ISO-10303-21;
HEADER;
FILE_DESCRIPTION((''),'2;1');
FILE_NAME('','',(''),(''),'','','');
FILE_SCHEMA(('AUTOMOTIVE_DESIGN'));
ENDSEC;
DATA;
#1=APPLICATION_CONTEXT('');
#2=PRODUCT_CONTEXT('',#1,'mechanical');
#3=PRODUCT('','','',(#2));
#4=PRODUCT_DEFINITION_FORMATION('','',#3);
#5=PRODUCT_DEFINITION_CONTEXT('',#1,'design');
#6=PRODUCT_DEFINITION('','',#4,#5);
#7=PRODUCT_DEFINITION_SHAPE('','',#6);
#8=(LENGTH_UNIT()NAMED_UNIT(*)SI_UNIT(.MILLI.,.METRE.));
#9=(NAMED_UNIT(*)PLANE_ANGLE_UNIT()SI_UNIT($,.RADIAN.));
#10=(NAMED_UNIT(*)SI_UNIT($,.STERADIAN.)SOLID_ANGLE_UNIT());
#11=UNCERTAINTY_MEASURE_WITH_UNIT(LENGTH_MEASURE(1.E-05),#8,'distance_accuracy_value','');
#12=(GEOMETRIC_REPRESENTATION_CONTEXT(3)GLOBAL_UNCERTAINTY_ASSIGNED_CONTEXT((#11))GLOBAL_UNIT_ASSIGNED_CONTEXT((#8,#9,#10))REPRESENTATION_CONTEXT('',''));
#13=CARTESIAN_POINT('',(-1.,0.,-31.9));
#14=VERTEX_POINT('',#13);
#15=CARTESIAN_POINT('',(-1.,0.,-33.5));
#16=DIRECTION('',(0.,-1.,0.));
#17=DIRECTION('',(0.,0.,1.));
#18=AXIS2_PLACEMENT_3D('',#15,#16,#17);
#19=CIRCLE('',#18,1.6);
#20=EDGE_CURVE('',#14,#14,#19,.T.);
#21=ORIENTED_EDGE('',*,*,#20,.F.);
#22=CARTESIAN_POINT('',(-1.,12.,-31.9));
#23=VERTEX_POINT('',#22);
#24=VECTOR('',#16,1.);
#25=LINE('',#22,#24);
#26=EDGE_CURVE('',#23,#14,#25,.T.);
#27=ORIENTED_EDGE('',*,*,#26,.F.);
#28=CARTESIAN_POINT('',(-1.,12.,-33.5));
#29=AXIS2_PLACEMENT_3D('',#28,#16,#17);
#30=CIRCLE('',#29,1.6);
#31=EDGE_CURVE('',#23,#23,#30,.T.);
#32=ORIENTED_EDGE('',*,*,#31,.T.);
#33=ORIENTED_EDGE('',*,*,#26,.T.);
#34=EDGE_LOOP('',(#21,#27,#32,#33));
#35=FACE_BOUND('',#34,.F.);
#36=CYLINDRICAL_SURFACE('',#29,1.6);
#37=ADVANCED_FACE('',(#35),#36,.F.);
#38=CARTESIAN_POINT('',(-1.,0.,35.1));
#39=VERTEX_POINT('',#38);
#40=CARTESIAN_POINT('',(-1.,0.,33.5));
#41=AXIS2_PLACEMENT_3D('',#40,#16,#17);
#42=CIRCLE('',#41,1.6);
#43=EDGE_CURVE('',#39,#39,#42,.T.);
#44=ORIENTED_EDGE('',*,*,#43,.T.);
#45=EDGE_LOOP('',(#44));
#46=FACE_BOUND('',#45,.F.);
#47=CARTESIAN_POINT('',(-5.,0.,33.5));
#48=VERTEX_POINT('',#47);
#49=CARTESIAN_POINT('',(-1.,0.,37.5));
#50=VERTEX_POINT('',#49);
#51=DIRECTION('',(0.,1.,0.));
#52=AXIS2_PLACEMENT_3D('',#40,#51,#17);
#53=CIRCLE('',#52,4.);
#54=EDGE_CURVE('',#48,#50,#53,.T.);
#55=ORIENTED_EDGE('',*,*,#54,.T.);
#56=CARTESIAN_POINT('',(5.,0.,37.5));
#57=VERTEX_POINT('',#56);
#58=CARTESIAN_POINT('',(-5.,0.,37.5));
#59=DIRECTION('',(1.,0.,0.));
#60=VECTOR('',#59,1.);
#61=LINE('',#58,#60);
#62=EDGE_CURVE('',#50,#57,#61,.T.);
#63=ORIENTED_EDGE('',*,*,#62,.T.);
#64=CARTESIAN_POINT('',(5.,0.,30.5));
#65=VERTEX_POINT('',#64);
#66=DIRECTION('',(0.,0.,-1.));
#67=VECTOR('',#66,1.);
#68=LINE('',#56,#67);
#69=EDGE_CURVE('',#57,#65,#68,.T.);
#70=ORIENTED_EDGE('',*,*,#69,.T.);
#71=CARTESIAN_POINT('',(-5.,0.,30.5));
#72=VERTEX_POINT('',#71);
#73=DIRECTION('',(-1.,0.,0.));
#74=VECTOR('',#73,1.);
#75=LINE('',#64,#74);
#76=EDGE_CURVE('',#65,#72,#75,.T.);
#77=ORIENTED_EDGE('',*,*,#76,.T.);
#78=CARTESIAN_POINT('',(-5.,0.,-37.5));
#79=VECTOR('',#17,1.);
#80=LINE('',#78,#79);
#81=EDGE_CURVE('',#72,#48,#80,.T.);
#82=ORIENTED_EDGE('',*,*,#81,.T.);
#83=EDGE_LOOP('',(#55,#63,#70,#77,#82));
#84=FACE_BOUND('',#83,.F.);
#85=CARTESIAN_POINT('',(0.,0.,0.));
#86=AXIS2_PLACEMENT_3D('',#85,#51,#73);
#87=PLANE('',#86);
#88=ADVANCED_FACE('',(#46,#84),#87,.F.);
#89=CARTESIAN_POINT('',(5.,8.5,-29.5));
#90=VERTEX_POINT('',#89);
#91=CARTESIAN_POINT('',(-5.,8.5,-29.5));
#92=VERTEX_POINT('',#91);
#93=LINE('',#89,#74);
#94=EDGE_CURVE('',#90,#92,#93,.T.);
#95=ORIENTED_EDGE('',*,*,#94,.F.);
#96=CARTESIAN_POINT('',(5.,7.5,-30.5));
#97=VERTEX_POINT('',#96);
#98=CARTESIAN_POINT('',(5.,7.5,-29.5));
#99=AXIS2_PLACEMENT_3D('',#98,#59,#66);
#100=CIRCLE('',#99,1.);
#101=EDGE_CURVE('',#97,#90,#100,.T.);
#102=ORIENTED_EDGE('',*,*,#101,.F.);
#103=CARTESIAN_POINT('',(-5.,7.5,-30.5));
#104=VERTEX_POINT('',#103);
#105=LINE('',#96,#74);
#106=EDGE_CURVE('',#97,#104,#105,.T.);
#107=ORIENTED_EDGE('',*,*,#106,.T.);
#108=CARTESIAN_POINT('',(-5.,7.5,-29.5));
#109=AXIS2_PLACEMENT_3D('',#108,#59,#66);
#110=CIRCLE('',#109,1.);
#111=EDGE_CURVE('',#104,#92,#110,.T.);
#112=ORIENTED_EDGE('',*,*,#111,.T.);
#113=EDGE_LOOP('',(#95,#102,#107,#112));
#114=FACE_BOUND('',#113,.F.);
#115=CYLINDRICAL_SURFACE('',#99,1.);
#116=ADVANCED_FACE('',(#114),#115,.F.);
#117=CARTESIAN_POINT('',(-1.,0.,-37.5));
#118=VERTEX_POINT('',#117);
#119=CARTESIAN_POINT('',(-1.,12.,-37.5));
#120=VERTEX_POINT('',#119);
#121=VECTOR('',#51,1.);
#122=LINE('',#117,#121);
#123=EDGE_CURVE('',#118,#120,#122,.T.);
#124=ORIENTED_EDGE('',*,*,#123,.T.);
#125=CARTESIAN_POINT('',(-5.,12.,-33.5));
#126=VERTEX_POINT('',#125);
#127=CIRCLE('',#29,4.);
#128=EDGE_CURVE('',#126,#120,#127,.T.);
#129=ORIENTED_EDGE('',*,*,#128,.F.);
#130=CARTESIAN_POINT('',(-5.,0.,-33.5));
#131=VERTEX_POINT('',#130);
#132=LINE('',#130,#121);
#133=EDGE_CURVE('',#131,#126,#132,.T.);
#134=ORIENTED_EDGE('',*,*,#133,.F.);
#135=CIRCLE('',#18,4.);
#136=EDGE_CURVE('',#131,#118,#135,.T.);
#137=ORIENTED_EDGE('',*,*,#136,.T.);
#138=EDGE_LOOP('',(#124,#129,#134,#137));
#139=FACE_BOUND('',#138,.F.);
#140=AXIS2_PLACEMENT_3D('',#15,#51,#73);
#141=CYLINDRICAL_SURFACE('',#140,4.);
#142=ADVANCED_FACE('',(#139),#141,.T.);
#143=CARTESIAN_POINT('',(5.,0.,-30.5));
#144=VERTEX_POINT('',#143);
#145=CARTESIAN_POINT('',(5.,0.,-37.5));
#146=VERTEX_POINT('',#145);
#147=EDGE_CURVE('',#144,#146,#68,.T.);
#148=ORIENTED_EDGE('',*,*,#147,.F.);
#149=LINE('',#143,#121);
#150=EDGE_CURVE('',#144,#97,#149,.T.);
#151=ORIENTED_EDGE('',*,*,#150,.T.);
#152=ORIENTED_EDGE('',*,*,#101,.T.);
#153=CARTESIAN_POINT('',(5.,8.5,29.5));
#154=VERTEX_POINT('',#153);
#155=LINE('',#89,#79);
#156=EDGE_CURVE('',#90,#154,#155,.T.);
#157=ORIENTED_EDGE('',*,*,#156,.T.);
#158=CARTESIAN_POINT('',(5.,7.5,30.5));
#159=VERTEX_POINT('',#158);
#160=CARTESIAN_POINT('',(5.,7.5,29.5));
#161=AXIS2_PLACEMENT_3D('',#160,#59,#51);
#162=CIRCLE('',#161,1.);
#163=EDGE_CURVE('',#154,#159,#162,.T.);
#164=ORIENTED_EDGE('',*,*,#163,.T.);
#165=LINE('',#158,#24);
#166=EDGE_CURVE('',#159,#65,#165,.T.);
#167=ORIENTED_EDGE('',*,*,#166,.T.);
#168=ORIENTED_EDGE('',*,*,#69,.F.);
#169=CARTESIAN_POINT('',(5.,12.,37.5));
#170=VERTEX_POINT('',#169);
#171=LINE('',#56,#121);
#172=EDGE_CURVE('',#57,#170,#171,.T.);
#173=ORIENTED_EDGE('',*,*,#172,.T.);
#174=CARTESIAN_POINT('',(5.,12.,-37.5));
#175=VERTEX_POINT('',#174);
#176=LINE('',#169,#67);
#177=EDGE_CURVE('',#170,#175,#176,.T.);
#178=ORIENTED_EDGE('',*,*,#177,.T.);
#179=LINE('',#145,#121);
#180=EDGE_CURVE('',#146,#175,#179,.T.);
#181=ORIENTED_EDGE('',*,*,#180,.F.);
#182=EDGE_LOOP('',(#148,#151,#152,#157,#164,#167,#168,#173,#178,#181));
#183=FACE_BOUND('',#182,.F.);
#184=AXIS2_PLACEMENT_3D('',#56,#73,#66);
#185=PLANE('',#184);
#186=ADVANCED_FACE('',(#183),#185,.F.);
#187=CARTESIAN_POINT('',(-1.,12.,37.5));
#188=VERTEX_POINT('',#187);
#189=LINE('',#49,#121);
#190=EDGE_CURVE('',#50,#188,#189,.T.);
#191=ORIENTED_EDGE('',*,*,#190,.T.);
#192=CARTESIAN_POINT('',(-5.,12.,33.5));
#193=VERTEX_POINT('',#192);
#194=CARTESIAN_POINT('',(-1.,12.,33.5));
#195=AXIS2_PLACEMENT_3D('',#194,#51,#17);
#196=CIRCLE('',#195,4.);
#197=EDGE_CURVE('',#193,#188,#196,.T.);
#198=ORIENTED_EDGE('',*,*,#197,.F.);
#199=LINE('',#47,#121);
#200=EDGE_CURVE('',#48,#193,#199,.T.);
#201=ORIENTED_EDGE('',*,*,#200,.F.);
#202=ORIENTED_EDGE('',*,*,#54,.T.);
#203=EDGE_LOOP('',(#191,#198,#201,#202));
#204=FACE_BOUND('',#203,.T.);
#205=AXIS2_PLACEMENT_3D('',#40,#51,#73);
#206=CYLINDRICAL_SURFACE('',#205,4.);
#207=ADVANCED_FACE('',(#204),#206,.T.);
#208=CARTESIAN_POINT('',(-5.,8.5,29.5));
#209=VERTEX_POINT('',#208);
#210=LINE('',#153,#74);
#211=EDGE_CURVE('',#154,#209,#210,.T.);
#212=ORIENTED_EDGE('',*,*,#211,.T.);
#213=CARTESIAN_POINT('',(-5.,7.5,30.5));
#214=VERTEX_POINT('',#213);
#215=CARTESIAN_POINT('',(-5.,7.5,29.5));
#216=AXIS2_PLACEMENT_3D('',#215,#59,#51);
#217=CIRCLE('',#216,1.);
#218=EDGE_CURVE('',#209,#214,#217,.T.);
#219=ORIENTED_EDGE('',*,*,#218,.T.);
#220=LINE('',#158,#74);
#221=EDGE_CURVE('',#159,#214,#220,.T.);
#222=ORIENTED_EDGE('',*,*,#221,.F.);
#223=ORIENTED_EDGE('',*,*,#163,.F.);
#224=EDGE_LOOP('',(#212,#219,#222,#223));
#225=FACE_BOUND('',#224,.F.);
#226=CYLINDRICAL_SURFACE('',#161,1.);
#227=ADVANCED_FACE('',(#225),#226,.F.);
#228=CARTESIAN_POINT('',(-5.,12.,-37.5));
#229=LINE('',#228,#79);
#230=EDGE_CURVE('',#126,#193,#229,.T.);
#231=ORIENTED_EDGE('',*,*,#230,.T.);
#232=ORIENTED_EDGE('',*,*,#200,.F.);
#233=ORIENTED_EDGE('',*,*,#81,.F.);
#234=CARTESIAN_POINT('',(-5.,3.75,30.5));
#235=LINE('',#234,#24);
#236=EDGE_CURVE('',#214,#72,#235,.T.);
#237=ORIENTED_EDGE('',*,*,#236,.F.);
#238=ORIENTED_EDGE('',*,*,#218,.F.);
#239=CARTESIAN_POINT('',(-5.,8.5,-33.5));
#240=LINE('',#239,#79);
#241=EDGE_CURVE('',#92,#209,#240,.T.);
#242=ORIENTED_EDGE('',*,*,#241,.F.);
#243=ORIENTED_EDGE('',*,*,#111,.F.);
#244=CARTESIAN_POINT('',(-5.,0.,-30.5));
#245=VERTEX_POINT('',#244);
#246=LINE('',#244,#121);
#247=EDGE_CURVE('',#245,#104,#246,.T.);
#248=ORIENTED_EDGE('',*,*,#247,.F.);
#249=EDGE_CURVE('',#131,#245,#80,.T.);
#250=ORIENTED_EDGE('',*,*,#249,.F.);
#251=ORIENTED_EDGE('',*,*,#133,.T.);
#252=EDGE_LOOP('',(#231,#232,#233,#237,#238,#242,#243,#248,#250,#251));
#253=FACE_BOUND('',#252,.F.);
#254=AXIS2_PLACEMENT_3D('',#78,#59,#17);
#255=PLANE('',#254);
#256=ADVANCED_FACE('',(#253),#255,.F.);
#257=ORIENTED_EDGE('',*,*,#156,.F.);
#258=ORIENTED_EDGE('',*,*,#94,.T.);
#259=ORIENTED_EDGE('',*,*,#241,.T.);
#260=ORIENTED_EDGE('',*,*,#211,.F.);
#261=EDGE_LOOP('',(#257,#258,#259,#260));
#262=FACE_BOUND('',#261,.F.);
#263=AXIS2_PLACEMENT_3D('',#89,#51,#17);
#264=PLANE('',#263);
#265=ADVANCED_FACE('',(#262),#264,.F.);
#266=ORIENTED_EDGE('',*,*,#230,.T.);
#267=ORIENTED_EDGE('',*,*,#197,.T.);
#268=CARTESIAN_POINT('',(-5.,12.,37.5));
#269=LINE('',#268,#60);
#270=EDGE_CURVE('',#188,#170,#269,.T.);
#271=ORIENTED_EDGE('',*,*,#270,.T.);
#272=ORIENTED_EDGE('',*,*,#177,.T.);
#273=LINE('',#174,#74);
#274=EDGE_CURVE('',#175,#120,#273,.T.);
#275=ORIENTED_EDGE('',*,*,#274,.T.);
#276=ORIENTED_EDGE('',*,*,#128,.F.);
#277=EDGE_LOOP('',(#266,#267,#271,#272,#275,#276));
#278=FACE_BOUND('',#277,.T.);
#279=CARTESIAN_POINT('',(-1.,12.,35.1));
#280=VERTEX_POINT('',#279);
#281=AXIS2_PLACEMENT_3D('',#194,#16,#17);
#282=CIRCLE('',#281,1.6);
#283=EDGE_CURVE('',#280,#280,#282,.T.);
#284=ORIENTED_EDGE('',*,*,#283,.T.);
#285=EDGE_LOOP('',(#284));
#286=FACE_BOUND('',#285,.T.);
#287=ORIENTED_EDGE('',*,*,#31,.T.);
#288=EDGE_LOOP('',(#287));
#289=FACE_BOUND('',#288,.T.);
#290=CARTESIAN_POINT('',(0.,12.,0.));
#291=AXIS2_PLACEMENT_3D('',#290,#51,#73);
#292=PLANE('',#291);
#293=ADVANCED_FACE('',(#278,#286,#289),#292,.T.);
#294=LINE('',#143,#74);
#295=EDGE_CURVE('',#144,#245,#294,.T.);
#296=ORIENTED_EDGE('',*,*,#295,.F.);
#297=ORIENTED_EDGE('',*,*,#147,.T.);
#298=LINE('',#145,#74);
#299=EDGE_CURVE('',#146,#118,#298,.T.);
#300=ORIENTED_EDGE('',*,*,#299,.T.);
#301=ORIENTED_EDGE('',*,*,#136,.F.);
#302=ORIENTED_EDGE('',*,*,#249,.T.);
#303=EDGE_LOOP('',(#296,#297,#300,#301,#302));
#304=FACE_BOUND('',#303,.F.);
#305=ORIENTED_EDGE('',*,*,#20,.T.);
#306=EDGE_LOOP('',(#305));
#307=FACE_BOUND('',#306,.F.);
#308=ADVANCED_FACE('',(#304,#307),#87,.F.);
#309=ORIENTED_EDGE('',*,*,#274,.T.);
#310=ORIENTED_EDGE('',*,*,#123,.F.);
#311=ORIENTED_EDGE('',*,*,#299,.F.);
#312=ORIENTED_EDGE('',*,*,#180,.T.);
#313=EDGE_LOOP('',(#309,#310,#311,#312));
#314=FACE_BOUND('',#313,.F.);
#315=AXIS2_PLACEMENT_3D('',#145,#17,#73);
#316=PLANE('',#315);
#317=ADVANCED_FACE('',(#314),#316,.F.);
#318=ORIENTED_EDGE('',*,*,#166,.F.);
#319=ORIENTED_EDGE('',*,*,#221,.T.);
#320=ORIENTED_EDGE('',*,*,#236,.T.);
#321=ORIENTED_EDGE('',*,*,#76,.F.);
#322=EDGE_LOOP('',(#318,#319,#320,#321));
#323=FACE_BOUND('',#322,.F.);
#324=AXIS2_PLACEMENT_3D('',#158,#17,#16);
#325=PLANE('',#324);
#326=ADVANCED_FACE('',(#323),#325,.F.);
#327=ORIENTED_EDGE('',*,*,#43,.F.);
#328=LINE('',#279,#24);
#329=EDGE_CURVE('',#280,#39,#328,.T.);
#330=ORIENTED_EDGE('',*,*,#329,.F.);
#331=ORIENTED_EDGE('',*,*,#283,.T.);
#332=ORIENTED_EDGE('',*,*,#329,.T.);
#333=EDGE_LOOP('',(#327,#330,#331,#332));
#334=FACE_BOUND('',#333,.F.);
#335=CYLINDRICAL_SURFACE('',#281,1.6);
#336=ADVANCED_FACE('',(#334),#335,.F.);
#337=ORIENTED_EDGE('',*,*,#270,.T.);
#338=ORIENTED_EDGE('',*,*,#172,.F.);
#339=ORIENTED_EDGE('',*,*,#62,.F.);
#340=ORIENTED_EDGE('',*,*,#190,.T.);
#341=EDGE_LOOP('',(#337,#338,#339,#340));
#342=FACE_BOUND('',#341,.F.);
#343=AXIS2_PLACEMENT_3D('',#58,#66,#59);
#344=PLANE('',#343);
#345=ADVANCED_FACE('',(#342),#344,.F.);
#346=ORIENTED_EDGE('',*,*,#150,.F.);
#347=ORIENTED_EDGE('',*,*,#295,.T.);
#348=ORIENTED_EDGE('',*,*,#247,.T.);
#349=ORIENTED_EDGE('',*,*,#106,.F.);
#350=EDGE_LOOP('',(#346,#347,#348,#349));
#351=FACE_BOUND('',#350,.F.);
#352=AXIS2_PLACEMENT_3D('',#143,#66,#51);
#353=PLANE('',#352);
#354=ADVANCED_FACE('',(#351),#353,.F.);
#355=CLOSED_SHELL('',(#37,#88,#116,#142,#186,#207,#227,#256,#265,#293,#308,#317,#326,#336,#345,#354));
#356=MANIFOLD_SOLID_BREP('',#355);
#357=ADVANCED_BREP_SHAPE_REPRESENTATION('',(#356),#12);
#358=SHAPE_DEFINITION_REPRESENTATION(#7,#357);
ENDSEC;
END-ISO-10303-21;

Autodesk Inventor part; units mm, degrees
ref_plane "YZ Plane" through (0, 0, 0) normal (1, 0, 0) x (0, 1, 0)
ref_plane "XZ Plane" through (0, 0, 0) normal (0, 1, 0) x (-1, 0, 0)
ref_plane "XY Plane" through (0, 0, 0) normal (0, 0, 1) x (1, 0, 0)
sketch "Sketch1" plane through (0, 0, 0) normal (0, 1, 0) x (-1, 0, 0)
  line L0 (5, 37.5) -> (-5, 37.5)
  line L1 (-5, 37.5) -> (-5, -37.5)
  line L2 (-5, -37.5) -> (5, -37.5)
  line L3 (5, -37.5) -> (5, 37.5)
  point P0 (0, 0)
  point P1 (5, 0)
  point P2 (0, 37.5)
  dimension "d0" = 10
  dimension "d1" = 75
extrude "Extrusion1" add sketch "Sketch1" along normal blind 12
sketch "Sketch2" plane through (5, 0, 37.5) normal (1, 0, 0) x (0, 0, -1)
  line L0 (7, 0) -> (68, 0)
  line L1 (68, 0) -> (68, 7.5)
  line L2 (67, 8.5) -> (8, 8.5)
  line L3 (7, 7.5) -> (7, 0)
  line L4 (0, 0) -> (75, 0) projected
  arc A0 (8, 8.5) -> (7, 7.5) centre (8, 7.5) ccw
  arc A1 (68, 7.5) -> (67, 8.5) centre (67, 7.5) ccw
  point P0 (37.5, 0)
  point P1 (37.5, 0)
  dimension "d4" = 61
  dimension "d5" = 8.5
  dimension "d6" = 1
extrude "Extrusion2" cut sketch "Sketch2" against normal through all
sketch "Sketch3" plane through (0, 12, 0) normal (0, 1, 0) x (1, 0, 0)
  line L0 (-5, 37.5) -> (-5, -37.5) projected
  point P0 (0, 0)
  point P1 (-1, 33.5)
  point P2 (-1, -33.5)
  dimension "d9" = 67
  dimension "d19" = 4
  dimension "d20" = 33.5
hole "Hole1" at (-1, 12, -33.5) at (-1, 12, 33.5) direction (0, -1, 0) diameter 3.2 end through all
fillet "Fillet1" radius 4 2 edges at (-5, 6, 37.5) (-5, 6, -37.5)
equation "\"d20\" = 0.5 * d9"
properties part number "phone_clamp"
